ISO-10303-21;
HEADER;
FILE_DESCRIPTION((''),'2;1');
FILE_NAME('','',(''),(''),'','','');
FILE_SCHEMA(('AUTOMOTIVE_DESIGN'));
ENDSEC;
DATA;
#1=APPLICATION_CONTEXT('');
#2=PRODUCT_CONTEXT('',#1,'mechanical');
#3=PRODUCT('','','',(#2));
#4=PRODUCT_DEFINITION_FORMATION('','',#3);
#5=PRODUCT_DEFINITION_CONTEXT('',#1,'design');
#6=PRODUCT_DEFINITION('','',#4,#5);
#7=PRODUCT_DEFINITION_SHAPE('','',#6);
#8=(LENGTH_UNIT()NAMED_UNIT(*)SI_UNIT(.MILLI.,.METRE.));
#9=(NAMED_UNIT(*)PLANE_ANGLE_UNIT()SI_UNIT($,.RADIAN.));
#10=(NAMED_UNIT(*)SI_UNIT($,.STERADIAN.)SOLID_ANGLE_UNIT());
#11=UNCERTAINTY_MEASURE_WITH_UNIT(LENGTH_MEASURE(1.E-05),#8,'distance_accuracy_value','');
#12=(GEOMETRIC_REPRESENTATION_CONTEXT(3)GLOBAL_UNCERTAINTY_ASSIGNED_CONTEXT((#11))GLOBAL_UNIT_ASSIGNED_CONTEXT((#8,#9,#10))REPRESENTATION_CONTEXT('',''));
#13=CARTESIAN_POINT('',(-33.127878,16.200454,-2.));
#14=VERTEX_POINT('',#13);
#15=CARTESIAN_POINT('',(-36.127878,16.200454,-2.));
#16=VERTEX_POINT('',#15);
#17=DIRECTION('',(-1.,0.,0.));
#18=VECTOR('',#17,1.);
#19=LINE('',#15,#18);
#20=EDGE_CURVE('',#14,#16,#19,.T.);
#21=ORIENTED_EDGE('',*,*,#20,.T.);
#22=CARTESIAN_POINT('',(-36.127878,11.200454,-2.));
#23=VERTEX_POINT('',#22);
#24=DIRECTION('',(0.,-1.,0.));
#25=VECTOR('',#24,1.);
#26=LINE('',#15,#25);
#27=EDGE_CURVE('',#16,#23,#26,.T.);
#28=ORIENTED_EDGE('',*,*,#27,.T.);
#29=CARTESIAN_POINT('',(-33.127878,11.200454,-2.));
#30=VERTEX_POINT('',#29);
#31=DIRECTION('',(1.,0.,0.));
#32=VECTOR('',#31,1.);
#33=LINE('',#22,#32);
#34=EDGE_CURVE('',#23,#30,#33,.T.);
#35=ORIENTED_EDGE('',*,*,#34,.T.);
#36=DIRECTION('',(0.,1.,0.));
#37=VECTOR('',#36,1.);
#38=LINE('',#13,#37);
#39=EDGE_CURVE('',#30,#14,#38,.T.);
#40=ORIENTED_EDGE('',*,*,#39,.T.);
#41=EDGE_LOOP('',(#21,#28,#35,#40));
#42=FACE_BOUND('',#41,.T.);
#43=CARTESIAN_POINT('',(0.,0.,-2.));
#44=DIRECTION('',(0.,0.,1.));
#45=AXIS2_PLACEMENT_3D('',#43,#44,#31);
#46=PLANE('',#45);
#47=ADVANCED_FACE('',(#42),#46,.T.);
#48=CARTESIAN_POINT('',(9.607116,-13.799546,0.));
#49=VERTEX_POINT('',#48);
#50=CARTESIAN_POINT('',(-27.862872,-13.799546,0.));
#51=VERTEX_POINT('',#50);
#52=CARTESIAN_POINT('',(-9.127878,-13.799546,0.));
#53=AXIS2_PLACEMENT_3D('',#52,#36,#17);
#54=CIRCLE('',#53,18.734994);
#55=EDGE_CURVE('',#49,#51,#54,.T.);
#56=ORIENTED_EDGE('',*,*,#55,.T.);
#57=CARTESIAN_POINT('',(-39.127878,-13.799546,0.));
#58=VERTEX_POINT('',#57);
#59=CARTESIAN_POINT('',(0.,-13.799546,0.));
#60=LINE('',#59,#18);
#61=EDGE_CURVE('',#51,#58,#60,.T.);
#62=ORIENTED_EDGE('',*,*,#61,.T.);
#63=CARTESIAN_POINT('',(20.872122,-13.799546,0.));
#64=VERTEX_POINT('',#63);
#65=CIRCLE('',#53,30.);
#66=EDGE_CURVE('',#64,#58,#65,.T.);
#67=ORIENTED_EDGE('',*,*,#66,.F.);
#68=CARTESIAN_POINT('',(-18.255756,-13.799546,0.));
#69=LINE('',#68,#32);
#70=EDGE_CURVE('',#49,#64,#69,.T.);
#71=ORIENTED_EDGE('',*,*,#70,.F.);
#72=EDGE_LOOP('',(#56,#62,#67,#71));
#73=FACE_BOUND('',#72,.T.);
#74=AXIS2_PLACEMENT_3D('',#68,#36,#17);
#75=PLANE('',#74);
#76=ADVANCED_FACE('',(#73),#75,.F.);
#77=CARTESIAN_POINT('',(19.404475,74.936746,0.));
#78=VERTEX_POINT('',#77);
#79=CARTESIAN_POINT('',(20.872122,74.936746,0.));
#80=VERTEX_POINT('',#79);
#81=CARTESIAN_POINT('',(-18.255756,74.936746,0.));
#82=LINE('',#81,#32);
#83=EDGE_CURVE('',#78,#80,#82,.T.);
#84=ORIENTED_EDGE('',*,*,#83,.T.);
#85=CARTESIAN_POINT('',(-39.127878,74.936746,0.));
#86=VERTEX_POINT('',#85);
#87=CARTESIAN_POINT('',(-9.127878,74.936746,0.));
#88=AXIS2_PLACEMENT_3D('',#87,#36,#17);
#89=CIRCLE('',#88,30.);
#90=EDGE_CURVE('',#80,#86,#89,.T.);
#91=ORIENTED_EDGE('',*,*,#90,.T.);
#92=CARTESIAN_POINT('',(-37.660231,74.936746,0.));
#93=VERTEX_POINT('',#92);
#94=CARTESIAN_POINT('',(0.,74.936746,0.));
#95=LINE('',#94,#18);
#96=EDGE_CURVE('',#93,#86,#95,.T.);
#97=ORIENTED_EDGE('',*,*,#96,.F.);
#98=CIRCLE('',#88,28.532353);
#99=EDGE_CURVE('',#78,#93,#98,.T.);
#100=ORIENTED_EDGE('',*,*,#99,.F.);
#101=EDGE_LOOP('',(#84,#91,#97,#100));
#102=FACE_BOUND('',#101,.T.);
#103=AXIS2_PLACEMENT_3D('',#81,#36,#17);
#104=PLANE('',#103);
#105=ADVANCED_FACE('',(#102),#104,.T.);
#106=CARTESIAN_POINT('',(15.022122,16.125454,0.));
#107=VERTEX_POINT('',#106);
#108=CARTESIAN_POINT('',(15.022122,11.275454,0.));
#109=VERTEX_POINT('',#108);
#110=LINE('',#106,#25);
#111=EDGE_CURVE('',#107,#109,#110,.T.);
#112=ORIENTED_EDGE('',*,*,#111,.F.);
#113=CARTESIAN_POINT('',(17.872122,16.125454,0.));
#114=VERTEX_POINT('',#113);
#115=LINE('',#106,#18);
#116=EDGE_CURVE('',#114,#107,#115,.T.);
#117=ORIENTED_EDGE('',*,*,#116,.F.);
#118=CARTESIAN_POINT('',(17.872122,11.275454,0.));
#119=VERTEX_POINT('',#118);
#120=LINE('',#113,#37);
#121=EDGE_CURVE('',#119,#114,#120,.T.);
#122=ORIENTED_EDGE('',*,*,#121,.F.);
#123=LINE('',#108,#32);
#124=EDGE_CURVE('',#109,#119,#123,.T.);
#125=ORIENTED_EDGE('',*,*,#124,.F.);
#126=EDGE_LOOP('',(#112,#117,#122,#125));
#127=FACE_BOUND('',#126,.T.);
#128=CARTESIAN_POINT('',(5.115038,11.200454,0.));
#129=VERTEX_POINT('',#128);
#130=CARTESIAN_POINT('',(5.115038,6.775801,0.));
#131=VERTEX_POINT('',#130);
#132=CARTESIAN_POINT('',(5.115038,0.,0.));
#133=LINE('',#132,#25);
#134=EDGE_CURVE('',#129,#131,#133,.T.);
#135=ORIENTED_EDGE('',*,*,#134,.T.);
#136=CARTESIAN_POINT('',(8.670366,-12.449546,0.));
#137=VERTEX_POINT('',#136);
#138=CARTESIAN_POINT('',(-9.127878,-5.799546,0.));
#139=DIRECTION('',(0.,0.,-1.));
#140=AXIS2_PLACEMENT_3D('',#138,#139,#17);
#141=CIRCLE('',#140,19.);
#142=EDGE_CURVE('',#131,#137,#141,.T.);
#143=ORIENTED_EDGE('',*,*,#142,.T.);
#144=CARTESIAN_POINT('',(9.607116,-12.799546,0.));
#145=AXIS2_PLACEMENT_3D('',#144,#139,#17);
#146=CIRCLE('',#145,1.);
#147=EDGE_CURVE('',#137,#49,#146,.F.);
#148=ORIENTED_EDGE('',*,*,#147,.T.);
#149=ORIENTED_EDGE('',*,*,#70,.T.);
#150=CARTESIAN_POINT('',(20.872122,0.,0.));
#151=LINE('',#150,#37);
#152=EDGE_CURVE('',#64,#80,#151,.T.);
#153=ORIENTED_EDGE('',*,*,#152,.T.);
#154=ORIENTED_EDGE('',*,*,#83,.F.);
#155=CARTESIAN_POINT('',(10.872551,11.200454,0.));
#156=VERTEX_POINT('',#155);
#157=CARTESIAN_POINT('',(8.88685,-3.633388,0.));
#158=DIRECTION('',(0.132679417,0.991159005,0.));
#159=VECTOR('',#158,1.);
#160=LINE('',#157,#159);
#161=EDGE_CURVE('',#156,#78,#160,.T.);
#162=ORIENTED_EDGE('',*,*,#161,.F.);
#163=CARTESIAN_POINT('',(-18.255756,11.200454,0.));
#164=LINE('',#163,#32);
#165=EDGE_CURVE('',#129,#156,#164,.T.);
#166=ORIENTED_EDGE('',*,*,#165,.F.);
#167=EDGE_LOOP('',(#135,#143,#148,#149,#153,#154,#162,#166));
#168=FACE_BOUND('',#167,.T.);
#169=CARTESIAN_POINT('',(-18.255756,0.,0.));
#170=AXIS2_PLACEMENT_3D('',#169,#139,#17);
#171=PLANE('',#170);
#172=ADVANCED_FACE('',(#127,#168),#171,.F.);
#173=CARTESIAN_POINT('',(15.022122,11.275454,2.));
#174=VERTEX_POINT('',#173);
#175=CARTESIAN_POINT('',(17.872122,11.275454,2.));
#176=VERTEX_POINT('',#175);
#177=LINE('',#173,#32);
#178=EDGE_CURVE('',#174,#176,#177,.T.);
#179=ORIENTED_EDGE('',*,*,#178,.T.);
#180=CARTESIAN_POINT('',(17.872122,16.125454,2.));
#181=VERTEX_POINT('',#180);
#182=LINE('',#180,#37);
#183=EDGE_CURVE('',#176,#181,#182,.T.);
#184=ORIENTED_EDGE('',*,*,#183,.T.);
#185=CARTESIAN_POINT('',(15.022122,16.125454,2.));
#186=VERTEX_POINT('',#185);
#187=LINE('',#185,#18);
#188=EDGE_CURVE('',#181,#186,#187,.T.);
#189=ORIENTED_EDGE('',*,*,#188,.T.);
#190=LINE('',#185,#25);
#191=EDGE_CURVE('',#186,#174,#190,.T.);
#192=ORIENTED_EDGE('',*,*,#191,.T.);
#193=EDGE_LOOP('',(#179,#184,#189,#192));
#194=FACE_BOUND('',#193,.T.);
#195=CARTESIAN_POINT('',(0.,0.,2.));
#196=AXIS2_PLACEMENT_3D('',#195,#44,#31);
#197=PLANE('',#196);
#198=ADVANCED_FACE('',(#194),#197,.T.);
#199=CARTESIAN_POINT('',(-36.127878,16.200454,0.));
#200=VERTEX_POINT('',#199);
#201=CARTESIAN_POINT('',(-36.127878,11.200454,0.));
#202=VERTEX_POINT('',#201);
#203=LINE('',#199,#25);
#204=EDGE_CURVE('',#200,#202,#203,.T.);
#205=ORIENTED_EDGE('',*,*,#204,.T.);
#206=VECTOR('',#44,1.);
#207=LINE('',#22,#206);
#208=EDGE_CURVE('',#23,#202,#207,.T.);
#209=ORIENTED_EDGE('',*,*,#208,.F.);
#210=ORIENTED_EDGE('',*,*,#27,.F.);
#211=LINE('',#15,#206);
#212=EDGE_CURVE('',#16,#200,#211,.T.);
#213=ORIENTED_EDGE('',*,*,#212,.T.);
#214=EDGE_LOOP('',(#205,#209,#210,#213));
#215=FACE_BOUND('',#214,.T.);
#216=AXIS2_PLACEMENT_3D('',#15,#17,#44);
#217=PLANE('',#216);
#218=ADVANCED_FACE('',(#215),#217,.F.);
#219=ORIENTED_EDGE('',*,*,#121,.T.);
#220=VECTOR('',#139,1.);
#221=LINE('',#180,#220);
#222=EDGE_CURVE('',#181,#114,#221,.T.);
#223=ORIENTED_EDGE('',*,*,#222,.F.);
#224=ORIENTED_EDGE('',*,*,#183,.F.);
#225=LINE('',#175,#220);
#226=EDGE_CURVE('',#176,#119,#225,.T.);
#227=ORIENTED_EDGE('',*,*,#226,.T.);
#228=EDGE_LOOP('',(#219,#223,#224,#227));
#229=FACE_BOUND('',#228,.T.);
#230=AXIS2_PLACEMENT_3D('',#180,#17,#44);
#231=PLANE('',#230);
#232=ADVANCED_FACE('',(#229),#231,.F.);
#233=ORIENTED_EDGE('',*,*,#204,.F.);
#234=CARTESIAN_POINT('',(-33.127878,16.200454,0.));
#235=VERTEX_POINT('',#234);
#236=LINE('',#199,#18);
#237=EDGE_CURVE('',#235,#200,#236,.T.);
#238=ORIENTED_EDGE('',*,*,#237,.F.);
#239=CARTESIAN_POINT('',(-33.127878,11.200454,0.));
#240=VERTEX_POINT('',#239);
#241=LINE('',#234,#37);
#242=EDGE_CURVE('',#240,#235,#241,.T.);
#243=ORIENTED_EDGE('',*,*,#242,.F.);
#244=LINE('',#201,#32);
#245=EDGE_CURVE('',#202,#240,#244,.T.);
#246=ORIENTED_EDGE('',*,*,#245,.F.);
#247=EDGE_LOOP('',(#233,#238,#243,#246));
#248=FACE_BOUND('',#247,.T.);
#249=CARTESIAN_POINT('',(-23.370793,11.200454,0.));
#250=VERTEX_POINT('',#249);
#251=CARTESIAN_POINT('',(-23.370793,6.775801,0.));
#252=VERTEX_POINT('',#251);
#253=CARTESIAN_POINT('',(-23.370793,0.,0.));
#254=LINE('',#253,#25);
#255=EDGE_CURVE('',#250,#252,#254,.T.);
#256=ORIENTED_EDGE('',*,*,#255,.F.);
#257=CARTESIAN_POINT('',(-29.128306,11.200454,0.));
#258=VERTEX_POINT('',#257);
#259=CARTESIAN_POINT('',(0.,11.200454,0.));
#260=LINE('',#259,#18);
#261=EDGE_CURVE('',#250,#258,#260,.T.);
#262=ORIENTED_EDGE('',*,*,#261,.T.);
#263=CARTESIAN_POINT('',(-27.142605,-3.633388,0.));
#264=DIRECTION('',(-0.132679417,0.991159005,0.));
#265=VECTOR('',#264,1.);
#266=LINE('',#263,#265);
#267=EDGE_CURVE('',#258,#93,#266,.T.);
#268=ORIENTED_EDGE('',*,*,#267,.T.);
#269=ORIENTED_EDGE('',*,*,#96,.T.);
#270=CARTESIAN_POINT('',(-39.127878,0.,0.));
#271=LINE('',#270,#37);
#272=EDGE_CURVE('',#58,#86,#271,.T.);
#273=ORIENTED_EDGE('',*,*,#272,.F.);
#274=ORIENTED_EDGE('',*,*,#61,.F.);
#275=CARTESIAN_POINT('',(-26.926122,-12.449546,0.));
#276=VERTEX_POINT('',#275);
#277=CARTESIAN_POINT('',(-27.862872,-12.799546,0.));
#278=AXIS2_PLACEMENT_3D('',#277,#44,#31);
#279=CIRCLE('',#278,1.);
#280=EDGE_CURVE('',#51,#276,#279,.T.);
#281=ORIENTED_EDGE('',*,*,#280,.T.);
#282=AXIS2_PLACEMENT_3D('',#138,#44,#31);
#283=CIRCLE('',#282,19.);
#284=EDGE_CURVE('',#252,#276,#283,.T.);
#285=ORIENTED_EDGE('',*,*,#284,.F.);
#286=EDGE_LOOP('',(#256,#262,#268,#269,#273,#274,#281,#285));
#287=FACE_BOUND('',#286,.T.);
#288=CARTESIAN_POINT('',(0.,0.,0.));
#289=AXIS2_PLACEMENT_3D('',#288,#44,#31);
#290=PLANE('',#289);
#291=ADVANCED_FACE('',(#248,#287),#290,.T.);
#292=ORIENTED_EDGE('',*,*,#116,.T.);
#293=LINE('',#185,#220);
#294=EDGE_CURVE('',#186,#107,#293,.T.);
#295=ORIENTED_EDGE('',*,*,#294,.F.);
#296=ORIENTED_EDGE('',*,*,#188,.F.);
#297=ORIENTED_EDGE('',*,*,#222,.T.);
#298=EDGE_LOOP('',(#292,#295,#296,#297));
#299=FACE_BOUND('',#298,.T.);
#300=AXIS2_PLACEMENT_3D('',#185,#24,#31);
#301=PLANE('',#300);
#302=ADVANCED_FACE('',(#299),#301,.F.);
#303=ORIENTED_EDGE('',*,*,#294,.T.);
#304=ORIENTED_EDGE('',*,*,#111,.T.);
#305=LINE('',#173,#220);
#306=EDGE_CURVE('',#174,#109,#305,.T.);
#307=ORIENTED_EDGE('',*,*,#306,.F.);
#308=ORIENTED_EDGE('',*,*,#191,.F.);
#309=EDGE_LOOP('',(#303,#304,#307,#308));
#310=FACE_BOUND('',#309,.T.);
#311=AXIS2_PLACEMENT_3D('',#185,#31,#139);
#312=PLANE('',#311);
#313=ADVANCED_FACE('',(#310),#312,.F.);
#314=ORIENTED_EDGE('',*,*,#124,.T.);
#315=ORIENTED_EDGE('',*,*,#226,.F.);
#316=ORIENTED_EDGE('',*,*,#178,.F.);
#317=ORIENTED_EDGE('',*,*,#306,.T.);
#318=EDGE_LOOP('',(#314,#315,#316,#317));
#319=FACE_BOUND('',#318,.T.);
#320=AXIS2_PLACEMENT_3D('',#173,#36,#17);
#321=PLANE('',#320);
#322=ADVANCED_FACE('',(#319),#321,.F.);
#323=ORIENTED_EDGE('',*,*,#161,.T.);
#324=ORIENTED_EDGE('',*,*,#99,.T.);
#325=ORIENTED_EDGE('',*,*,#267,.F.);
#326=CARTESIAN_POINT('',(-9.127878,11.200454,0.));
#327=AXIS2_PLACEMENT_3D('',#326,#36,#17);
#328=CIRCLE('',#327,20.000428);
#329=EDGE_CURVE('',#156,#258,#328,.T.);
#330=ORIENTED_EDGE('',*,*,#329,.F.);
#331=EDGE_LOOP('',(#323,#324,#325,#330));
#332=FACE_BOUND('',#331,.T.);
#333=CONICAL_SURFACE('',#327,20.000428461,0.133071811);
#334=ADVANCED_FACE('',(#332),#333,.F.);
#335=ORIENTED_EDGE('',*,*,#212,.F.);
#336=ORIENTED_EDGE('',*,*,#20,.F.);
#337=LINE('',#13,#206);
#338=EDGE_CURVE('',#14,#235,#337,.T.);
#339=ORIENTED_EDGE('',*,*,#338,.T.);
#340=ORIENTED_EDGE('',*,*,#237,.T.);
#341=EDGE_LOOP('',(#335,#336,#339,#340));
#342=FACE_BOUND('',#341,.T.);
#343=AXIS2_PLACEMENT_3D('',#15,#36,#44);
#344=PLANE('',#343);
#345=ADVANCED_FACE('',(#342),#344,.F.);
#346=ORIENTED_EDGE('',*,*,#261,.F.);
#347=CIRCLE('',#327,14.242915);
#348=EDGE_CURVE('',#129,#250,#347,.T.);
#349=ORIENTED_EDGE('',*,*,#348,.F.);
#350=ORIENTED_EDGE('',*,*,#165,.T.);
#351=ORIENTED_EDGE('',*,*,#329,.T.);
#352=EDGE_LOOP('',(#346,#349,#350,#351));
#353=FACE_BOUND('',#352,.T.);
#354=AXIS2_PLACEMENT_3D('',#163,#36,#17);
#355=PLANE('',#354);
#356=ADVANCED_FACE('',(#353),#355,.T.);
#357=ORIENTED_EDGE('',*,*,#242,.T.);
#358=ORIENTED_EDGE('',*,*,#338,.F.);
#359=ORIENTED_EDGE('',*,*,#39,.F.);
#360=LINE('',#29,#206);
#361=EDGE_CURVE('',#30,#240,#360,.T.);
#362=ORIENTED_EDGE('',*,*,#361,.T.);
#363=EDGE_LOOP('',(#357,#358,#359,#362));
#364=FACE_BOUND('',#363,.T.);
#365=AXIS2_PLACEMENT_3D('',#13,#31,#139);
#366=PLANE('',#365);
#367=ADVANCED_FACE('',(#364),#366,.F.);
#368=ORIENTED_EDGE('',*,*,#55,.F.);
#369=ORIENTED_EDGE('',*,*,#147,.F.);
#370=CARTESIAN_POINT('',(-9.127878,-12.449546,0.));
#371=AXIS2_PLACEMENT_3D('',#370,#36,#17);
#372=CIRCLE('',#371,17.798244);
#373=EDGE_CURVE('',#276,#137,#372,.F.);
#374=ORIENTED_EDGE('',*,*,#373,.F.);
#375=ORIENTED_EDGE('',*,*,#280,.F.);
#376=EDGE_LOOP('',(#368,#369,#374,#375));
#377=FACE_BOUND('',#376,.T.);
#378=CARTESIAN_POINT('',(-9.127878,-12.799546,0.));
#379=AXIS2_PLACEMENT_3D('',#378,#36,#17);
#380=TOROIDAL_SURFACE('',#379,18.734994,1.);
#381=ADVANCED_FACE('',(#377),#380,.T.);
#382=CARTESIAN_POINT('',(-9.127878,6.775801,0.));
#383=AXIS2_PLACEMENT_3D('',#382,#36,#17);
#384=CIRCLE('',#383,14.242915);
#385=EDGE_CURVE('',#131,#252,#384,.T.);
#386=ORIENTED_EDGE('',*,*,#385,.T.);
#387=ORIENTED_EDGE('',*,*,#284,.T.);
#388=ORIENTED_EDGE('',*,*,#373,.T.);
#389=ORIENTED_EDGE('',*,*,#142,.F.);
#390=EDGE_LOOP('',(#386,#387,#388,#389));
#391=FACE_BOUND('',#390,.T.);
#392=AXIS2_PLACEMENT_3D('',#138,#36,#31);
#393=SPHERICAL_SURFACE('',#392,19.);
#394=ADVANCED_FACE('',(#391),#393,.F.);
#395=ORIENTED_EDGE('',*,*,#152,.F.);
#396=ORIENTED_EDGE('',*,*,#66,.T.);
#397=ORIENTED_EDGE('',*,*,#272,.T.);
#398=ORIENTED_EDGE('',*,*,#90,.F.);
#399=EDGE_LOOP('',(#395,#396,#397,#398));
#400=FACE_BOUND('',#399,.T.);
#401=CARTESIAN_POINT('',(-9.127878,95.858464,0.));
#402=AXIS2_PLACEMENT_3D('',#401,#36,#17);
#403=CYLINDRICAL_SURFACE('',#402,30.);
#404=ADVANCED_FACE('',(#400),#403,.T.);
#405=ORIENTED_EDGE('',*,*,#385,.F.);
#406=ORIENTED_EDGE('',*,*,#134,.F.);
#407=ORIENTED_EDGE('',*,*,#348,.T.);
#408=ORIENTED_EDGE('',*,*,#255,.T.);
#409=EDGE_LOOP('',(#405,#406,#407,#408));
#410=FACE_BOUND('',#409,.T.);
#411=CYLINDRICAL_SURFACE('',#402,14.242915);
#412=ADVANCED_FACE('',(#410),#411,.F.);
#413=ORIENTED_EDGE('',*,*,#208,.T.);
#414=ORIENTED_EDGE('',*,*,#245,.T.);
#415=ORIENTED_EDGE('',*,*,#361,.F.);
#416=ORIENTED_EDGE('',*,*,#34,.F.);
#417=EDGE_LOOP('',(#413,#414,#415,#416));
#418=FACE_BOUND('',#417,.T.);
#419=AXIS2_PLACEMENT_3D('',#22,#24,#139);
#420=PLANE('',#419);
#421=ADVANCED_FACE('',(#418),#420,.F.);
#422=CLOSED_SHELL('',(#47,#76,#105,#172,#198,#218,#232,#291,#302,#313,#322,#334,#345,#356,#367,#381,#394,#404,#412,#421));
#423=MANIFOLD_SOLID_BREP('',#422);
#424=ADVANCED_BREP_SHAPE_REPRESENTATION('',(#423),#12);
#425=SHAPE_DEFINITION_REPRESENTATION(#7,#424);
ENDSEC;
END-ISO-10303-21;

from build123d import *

# Parameters (mm, degrees)
REVOLVE8_ANGLE      = 180
SKETCH5_W           = 2.85
SKETCH5_H           = 4.85
BOSS_EXTRUDE1_DEPTH = 2
SKETCH6_W           = 3
SKETCH6_H           = 5
CUT_EXTRUDE1_DEPTH  = 2
FILLET1_R           = 1


with BuildPart() as part:
    # Sketch3 → Revolve8 (revolve)
    with BuildSketch(Plane.XY):
        with BuildLine():
            Line((-29.128306284, 11.200453936), (-37.660231074, 74.93674596))
            Line((-37.660231074, 74.93674596), (-39.127877823, 74.93674596))
            Line((-39.127877823, 74.93674596), (-39.127877823, -13.799546064))
            Line((-39.127877823, -13.799546064), (-26.361565762, -13.799546064))
            ThreePointArc((-26.361565762, -13.799546064), (-27.930281109, -3.066483557), (-23.370793287, 6.77580121))
            Line((-23.370793287, 6.77580121), (-23.370793287, 11.200453936))
            Line((-23.370793287, 11.200453936), (-29.128306284, 11.200453936))
        make_face()
    revolve(axis=Axis((-9.127877823, 95.858464184, 0), (0, -1, 0)), revolution_arc=REVOLVE8_ANGLE)

    # Sketch5 → Boss-Extrude1 (add)
    with BuildSketch(Plane.XY):
        with Locations((16.447122177, 13.700453936)):
            Rectangle(SKETCH5_W, SKETCH5_H)
    extrude(amount=BOSS_EXTRUDE1_DEPTH)

    # Sketch6 → Cut-Extrude1 (cut)
    with BuildSketch(Plane.XY):
        with Locations((-34.627877823, 13.700453936)):
            Rectangle(SKETCH6_W, SKETCH6_H)
    extrude(amount=-CUT_EXTRUDE1_DEPTH, mode=Mode.SUBTRACT)

    # Fillet1
    fillet1_edges = [part.edges().sort_by_distance(p)[0] for p in [
        (-9.127877823, -13.799546064, -17.23368794),
    ]]
    fillet(fillet1_edges, radius=FILLET1_R)


solid = part.part
